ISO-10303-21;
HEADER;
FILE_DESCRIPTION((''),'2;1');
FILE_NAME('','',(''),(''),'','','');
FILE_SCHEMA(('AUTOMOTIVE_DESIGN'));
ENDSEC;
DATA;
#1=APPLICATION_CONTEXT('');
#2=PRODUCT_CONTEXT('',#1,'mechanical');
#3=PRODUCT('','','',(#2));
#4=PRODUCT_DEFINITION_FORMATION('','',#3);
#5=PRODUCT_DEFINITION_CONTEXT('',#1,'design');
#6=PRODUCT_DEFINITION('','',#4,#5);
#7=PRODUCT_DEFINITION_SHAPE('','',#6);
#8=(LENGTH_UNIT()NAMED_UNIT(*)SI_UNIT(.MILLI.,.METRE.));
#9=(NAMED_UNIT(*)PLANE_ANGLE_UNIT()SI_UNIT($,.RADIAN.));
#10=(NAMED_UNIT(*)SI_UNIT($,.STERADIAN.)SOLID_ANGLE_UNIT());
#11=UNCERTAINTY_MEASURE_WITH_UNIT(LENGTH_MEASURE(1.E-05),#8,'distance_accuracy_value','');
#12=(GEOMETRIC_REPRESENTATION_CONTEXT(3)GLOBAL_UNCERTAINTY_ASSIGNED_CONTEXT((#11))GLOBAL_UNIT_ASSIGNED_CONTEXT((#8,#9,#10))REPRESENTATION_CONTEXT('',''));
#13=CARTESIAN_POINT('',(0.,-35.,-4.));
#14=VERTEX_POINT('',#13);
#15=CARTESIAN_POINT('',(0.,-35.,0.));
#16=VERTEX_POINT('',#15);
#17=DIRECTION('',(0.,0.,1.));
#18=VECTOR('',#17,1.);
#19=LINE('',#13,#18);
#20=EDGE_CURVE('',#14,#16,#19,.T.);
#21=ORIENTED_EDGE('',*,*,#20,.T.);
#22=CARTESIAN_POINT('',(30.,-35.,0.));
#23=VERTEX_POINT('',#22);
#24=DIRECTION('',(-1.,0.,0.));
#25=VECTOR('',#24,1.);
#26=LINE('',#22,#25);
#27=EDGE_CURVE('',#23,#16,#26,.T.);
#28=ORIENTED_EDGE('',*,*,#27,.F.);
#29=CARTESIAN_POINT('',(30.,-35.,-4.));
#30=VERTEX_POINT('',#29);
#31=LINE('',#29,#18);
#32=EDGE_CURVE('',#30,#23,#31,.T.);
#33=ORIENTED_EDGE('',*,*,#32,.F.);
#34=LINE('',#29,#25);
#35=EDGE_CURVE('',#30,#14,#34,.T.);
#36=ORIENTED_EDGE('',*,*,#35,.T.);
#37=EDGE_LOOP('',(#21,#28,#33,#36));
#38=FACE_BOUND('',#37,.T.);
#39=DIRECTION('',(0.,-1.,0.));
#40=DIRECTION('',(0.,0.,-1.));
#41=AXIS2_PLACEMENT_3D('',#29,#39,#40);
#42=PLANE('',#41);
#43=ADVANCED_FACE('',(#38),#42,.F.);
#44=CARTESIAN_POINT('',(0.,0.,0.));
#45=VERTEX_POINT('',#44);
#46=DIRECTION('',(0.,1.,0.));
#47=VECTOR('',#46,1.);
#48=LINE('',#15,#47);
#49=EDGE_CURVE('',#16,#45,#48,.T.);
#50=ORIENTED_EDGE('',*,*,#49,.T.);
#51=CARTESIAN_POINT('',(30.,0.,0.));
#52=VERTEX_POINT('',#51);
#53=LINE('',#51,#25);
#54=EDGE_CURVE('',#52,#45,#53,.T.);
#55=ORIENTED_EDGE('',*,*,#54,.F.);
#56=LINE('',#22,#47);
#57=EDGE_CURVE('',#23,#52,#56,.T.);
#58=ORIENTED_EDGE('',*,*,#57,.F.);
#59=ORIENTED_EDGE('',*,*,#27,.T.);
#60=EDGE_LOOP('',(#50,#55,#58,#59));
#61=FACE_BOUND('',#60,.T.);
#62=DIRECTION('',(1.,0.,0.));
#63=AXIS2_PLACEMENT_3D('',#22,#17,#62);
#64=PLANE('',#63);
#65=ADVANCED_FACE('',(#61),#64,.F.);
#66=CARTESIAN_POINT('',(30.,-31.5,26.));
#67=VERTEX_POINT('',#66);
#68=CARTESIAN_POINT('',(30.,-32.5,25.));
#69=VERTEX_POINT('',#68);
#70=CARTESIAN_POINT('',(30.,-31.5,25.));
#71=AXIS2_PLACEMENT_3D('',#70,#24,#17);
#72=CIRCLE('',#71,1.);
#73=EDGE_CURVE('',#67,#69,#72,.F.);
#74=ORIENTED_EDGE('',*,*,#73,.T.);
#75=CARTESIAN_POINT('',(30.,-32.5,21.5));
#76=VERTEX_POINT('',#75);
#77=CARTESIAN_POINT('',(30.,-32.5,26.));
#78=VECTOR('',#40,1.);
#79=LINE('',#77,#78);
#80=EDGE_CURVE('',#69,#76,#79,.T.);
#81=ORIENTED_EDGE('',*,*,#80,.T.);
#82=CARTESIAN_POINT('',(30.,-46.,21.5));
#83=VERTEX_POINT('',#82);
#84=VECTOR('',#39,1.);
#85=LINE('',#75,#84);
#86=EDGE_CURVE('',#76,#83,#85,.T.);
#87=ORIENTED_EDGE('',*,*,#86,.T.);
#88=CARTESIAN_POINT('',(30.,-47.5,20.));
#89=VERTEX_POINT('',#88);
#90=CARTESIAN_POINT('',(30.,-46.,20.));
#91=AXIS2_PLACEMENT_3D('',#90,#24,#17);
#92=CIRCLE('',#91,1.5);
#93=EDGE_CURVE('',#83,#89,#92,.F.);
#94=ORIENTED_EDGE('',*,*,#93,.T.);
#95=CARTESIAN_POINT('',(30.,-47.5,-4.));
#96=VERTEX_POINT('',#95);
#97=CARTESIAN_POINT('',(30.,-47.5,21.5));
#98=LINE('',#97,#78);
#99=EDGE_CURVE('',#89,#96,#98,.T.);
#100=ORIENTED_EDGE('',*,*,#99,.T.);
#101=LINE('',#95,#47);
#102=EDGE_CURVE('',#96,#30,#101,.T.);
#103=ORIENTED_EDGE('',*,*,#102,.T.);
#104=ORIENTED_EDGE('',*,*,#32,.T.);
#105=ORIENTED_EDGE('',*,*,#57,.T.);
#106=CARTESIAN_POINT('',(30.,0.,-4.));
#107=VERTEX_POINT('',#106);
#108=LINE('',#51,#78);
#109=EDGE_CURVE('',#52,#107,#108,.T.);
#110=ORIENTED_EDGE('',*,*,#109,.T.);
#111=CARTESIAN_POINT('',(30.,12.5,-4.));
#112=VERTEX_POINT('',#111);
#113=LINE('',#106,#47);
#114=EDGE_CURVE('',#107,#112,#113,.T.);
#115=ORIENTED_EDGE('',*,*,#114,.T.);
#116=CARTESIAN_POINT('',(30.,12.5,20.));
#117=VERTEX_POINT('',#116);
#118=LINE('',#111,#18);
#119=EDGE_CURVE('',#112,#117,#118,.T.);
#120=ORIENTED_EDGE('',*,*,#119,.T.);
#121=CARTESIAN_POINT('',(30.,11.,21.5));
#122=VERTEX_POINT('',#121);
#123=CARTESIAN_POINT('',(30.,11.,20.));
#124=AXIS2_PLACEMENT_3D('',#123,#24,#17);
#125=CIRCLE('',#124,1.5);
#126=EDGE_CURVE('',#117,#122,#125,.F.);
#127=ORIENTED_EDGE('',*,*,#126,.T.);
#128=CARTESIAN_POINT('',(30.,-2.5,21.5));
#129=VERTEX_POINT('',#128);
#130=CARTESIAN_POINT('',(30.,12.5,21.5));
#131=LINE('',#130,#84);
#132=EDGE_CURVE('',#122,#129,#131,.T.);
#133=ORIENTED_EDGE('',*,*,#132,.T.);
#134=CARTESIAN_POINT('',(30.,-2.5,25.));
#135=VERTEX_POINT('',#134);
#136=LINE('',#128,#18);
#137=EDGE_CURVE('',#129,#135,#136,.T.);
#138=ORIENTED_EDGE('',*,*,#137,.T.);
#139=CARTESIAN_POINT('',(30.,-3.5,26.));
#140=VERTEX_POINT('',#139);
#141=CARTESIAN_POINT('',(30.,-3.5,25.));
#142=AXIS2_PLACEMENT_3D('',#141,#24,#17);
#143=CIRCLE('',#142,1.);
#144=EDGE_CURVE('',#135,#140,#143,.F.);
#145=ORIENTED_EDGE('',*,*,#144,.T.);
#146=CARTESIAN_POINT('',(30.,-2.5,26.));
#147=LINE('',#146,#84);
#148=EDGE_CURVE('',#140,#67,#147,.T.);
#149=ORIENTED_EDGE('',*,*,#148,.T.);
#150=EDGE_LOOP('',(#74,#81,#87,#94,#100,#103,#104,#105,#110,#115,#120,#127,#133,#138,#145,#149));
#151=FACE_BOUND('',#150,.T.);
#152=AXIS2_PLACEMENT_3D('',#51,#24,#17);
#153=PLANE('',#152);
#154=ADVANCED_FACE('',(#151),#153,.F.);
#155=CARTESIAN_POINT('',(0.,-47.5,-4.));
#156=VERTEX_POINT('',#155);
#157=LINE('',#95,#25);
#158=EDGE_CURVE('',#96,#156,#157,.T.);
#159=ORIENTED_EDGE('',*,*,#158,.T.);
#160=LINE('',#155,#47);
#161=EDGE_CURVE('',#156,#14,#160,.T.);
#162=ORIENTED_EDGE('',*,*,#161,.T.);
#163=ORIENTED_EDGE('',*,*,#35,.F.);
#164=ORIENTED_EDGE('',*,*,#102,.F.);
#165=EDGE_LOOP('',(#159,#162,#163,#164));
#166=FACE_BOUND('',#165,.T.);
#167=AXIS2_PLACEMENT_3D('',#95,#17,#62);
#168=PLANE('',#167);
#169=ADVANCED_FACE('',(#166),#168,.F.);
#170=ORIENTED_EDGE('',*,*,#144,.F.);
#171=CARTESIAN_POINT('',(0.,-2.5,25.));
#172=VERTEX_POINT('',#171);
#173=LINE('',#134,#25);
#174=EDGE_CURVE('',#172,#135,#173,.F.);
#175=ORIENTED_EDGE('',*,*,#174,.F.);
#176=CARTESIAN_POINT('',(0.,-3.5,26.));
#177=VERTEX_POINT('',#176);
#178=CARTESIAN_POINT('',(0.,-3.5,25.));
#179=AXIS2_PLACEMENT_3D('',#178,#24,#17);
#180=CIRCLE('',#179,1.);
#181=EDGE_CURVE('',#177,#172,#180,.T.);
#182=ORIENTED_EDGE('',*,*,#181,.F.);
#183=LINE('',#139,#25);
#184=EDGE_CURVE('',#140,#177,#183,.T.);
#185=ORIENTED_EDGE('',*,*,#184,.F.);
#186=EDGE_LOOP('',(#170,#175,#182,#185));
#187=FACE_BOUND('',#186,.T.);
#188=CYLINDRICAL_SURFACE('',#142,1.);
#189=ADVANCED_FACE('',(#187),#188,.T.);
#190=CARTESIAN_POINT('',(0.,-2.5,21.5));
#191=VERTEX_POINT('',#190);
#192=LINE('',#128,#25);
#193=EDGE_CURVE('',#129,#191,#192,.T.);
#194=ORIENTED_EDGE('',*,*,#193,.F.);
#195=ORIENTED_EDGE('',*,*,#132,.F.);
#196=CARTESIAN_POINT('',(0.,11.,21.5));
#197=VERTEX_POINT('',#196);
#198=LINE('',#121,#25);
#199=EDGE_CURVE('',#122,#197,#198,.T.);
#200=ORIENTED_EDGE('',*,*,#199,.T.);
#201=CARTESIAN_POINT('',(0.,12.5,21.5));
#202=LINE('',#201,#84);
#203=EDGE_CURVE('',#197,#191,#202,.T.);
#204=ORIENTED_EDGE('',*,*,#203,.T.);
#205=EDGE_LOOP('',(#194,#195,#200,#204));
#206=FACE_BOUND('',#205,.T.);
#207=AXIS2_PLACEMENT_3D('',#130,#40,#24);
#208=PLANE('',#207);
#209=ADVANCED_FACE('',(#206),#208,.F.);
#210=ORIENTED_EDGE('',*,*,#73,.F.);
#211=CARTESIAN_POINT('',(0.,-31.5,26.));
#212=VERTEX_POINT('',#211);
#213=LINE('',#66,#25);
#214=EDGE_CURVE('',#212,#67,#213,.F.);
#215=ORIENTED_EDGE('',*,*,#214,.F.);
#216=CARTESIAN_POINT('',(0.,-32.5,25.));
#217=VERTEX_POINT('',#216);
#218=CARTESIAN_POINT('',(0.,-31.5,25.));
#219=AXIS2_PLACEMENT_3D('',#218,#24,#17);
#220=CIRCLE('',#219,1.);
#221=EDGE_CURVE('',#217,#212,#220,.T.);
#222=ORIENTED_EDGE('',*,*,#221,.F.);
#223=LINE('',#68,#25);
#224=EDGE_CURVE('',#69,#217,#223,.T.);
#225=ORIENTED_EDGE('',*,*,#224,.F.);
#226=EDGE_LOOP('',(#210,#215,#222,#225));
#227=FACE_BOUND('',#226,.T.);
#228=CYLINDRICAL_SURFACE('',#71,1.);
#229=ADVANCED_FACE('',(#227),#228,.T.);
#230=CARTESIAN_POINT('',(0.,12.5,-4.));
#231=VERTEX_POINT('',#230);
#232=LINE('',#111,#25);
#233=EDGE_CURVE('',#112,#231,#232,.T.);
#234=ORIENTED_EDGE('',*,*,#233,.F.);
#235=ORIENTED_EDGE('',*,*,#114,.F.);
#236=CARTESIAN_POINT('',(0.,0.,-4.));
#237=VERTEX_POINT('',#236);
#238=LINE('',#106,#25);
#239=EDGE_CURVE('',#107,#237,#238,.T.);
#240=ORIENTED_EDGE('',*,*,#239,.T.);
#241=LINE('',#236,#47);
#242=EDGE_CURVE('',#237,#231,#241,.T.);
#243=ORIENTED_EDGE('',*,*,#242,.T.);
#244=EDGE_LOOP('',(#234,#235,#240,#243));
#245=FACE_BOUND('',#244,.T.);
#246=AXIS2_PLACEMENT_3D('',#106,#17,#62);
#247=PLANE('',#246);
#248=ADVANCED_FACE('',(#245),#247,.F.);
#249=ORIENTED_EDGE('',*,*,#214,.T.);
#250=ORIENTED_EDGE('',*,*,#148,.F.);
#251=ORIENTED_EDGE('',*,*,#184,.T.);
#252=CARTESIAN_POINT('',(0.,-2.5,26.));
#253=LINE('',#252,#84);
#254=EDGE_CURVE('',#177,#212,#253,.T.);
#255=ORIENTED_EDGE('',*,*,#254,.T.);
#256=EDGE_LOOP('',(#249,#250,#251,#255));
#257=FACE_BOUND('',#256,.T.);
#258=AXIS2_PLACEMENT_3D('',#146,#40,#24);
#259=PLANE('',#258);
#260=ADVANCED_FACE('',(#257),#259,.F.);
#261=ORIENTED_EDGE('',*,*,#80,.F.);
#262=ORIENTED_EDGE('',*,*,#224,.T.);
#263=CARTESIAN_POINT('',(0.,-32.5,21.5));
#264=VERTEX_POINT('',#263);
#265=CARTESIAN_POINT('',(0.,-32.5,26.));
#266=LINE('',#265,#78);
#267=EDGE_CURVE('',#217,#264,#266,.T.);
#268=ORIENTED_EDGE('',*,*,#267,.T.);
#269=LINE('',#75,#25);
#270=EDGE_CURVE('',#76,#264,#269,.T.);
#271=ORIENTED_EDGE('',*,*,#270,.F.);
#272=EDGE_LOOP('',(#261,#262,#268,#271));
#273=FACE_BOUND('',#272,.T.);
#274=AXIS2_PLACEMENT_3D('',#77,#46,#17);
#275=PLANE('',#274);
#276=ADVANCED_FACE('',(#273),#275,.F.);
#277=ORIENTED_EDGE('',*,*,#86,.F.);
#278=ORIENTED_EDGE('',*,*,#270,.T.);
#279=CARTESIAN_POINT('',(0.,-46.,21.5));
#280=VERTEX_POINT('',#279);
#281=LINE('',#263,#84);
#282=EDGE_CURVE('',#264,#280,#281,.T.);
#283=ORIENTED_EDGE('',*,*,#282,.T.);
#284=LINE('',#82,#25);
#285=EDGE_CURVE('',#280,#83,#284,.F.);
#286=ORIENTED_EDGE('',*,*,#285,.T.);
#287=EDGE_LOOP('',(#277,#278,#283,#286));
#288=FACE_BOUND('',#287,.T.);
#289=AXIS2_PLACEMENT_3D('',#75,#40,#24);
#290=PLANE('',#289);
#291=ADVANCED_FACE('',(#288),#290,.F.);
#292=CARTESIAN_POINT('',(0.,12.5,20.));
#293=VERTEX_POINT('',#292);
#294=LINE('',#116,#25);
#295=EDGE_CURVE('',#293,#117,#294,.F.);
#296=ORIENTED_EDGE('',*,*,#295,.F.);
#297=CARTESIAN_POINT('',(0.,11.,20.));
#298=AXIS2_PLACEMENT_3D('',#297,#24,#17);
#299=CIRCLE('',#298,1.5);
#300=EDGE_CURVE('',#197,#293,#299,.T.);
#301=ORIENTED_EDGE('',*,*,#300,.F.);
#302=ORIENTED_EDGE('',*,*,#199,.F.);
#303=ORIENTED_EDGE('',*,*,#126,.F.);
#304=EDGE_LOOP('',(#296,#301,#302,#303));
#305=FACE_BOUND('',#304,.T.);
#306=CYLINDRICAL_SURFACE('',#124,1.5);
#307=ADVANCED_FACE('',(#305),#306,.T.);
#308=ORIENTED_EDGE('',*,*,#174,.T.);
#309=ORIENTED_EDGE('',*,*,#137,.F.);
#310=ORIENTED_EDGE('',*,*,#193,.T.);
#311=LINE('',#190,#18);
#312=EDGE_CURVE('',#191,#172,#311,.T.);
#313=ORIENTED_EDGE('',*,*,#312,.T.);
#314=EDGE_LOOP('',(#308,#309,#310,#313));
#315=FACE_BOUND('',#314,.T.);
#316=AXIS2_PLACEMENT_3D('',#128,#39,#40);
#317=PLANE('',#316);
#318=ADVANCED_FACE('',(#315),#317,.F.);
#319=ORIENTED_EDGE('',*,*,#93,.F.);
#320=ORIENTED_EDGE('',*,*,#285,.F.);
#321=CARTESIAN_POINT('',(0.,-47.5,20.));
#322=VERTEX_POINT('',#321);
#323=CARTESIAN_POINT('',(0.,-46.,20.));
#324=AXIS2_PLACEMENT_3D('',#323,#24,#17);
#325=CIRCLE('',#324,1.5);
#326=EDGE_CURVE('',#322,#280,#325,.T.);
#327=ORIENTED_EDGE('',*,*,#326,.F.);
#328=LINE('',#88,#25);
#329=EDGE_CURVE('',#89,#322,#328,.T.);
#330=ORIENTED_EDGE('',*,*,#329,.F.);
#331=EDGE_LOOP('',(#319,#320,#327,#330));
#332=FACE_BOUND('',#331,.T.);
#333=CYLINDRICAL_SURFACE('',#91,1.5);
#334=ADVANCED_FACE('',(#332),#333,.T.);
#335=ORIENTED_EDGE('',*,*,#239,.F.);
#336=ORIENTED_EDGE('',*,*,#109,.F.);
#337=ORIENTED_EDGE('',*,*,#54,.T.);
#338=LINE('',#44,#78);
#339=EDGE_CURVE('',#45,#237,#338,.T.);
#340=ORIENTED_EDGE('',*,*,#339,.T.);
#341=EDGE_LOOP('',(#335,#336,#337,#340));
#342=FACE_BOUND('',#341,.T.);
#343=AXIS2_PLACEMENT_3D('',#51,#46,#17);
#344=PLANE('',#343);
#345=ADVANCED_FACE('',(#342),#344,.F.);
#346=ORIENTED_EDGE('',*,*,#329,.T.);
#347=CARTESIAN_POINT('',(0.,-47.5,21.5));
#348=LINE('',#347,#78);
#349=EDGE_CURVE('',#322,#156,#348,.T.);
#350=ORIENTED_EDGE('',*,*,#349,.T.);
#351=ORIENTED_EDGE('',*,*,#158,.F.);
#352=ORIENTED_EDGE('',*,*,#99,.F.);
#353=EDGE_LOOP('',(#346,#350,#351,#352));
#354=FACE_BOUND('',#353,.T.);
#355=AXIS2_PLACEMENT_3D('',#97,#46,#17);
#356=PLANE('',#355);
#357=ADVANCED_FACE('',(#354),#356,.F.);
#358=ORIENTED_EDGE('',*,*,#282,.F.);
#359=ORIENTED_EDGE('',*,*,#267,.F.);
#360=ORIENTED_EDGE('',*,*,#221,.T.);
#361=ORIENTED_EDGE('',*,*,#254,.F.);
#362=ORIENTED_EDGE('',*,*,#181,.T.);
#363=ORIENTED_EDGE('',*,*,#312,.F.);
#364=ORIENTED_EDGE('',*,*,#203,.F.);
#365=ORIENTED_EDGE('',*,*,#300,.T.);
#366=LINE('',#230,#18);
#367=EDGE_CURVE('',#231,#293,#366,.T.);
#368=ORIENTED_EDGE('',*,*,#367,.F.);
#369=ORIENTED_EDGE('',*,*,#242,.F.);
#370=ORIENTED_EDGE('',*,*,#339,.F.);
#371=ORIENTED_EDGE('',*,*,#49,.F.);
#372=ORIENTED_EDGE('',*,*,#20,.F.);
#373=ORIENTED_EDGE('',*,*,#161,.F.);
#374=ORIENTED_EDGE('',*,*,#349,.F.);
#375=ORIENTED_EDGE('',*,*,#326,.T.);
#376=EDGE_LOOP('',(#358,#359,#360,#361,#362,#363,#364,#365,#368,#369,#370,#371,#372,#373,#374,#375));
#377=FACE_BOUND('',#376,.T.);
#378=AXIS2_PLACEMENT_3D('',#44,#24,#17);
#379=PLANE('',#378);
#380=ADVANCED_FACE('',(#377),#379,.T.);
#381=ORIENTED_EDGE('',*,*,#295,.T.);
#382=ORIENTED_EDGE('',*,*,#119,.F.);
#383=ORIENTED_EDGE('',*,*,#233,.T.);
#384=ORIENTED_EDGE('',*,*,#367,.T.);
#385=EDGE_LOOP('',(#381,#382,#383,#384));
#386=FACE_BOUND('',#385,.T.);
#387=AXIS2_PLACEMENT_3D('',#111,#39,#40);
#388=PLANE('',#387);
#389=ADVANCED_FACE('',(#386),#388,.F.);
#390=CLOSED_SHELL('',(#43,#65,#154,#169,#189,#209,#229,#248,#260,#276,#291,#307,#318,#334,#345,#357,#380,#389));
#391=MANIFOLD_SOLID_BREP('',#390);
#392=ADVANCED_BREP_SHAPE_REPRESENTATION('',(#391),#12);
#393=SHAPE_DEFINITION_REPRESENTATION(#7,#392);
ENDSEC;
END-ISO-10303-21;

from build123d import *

# Parameters (mm, degrees)
EW_EXTRUDE_DEPTH = 30
FILLET1_R        = 1.5
FILLET2_R        = 1


with BuildPart() as part:
    # EW_SKETCH → EW_EXTRUDE (new body)
    with BuildSketch(Plane(origin=(0, 0, 0), x_dir=(0, 0, -1), z_dir=(1, 0, 0))):
        Polygon((0, 0), (4, 0), (4, 12.5), (-21.5, 12.5), (-21.5, -2.5), (-26, -2.5), (-26, -32.5), (-21.5, -32.5), (-21.5, -47.5), (4, -47.5), (4, -35), (0, -35), align=None)
    extrude(amount=EW_EXTRUDE_DEPTH)

    # fillet1
    fillet1_edges = [part.edges().sort_by_distance(p)[0] for p in [
        (15, -47.5, 21.5),
        (15, 12.5, 21.5),
    ]]
    fillet(fillet1_edges, radius=FILLET1_R)

    # fillet2
    fillet2_edges = [part.edges().sort_by_distance(p)[0] for p in [
        (15, -32.5, 26),
        (15, -2.5, 26),
    ]]
    fillet(fillet2_edges, radius=FILLET2_R)


solid = part.part
